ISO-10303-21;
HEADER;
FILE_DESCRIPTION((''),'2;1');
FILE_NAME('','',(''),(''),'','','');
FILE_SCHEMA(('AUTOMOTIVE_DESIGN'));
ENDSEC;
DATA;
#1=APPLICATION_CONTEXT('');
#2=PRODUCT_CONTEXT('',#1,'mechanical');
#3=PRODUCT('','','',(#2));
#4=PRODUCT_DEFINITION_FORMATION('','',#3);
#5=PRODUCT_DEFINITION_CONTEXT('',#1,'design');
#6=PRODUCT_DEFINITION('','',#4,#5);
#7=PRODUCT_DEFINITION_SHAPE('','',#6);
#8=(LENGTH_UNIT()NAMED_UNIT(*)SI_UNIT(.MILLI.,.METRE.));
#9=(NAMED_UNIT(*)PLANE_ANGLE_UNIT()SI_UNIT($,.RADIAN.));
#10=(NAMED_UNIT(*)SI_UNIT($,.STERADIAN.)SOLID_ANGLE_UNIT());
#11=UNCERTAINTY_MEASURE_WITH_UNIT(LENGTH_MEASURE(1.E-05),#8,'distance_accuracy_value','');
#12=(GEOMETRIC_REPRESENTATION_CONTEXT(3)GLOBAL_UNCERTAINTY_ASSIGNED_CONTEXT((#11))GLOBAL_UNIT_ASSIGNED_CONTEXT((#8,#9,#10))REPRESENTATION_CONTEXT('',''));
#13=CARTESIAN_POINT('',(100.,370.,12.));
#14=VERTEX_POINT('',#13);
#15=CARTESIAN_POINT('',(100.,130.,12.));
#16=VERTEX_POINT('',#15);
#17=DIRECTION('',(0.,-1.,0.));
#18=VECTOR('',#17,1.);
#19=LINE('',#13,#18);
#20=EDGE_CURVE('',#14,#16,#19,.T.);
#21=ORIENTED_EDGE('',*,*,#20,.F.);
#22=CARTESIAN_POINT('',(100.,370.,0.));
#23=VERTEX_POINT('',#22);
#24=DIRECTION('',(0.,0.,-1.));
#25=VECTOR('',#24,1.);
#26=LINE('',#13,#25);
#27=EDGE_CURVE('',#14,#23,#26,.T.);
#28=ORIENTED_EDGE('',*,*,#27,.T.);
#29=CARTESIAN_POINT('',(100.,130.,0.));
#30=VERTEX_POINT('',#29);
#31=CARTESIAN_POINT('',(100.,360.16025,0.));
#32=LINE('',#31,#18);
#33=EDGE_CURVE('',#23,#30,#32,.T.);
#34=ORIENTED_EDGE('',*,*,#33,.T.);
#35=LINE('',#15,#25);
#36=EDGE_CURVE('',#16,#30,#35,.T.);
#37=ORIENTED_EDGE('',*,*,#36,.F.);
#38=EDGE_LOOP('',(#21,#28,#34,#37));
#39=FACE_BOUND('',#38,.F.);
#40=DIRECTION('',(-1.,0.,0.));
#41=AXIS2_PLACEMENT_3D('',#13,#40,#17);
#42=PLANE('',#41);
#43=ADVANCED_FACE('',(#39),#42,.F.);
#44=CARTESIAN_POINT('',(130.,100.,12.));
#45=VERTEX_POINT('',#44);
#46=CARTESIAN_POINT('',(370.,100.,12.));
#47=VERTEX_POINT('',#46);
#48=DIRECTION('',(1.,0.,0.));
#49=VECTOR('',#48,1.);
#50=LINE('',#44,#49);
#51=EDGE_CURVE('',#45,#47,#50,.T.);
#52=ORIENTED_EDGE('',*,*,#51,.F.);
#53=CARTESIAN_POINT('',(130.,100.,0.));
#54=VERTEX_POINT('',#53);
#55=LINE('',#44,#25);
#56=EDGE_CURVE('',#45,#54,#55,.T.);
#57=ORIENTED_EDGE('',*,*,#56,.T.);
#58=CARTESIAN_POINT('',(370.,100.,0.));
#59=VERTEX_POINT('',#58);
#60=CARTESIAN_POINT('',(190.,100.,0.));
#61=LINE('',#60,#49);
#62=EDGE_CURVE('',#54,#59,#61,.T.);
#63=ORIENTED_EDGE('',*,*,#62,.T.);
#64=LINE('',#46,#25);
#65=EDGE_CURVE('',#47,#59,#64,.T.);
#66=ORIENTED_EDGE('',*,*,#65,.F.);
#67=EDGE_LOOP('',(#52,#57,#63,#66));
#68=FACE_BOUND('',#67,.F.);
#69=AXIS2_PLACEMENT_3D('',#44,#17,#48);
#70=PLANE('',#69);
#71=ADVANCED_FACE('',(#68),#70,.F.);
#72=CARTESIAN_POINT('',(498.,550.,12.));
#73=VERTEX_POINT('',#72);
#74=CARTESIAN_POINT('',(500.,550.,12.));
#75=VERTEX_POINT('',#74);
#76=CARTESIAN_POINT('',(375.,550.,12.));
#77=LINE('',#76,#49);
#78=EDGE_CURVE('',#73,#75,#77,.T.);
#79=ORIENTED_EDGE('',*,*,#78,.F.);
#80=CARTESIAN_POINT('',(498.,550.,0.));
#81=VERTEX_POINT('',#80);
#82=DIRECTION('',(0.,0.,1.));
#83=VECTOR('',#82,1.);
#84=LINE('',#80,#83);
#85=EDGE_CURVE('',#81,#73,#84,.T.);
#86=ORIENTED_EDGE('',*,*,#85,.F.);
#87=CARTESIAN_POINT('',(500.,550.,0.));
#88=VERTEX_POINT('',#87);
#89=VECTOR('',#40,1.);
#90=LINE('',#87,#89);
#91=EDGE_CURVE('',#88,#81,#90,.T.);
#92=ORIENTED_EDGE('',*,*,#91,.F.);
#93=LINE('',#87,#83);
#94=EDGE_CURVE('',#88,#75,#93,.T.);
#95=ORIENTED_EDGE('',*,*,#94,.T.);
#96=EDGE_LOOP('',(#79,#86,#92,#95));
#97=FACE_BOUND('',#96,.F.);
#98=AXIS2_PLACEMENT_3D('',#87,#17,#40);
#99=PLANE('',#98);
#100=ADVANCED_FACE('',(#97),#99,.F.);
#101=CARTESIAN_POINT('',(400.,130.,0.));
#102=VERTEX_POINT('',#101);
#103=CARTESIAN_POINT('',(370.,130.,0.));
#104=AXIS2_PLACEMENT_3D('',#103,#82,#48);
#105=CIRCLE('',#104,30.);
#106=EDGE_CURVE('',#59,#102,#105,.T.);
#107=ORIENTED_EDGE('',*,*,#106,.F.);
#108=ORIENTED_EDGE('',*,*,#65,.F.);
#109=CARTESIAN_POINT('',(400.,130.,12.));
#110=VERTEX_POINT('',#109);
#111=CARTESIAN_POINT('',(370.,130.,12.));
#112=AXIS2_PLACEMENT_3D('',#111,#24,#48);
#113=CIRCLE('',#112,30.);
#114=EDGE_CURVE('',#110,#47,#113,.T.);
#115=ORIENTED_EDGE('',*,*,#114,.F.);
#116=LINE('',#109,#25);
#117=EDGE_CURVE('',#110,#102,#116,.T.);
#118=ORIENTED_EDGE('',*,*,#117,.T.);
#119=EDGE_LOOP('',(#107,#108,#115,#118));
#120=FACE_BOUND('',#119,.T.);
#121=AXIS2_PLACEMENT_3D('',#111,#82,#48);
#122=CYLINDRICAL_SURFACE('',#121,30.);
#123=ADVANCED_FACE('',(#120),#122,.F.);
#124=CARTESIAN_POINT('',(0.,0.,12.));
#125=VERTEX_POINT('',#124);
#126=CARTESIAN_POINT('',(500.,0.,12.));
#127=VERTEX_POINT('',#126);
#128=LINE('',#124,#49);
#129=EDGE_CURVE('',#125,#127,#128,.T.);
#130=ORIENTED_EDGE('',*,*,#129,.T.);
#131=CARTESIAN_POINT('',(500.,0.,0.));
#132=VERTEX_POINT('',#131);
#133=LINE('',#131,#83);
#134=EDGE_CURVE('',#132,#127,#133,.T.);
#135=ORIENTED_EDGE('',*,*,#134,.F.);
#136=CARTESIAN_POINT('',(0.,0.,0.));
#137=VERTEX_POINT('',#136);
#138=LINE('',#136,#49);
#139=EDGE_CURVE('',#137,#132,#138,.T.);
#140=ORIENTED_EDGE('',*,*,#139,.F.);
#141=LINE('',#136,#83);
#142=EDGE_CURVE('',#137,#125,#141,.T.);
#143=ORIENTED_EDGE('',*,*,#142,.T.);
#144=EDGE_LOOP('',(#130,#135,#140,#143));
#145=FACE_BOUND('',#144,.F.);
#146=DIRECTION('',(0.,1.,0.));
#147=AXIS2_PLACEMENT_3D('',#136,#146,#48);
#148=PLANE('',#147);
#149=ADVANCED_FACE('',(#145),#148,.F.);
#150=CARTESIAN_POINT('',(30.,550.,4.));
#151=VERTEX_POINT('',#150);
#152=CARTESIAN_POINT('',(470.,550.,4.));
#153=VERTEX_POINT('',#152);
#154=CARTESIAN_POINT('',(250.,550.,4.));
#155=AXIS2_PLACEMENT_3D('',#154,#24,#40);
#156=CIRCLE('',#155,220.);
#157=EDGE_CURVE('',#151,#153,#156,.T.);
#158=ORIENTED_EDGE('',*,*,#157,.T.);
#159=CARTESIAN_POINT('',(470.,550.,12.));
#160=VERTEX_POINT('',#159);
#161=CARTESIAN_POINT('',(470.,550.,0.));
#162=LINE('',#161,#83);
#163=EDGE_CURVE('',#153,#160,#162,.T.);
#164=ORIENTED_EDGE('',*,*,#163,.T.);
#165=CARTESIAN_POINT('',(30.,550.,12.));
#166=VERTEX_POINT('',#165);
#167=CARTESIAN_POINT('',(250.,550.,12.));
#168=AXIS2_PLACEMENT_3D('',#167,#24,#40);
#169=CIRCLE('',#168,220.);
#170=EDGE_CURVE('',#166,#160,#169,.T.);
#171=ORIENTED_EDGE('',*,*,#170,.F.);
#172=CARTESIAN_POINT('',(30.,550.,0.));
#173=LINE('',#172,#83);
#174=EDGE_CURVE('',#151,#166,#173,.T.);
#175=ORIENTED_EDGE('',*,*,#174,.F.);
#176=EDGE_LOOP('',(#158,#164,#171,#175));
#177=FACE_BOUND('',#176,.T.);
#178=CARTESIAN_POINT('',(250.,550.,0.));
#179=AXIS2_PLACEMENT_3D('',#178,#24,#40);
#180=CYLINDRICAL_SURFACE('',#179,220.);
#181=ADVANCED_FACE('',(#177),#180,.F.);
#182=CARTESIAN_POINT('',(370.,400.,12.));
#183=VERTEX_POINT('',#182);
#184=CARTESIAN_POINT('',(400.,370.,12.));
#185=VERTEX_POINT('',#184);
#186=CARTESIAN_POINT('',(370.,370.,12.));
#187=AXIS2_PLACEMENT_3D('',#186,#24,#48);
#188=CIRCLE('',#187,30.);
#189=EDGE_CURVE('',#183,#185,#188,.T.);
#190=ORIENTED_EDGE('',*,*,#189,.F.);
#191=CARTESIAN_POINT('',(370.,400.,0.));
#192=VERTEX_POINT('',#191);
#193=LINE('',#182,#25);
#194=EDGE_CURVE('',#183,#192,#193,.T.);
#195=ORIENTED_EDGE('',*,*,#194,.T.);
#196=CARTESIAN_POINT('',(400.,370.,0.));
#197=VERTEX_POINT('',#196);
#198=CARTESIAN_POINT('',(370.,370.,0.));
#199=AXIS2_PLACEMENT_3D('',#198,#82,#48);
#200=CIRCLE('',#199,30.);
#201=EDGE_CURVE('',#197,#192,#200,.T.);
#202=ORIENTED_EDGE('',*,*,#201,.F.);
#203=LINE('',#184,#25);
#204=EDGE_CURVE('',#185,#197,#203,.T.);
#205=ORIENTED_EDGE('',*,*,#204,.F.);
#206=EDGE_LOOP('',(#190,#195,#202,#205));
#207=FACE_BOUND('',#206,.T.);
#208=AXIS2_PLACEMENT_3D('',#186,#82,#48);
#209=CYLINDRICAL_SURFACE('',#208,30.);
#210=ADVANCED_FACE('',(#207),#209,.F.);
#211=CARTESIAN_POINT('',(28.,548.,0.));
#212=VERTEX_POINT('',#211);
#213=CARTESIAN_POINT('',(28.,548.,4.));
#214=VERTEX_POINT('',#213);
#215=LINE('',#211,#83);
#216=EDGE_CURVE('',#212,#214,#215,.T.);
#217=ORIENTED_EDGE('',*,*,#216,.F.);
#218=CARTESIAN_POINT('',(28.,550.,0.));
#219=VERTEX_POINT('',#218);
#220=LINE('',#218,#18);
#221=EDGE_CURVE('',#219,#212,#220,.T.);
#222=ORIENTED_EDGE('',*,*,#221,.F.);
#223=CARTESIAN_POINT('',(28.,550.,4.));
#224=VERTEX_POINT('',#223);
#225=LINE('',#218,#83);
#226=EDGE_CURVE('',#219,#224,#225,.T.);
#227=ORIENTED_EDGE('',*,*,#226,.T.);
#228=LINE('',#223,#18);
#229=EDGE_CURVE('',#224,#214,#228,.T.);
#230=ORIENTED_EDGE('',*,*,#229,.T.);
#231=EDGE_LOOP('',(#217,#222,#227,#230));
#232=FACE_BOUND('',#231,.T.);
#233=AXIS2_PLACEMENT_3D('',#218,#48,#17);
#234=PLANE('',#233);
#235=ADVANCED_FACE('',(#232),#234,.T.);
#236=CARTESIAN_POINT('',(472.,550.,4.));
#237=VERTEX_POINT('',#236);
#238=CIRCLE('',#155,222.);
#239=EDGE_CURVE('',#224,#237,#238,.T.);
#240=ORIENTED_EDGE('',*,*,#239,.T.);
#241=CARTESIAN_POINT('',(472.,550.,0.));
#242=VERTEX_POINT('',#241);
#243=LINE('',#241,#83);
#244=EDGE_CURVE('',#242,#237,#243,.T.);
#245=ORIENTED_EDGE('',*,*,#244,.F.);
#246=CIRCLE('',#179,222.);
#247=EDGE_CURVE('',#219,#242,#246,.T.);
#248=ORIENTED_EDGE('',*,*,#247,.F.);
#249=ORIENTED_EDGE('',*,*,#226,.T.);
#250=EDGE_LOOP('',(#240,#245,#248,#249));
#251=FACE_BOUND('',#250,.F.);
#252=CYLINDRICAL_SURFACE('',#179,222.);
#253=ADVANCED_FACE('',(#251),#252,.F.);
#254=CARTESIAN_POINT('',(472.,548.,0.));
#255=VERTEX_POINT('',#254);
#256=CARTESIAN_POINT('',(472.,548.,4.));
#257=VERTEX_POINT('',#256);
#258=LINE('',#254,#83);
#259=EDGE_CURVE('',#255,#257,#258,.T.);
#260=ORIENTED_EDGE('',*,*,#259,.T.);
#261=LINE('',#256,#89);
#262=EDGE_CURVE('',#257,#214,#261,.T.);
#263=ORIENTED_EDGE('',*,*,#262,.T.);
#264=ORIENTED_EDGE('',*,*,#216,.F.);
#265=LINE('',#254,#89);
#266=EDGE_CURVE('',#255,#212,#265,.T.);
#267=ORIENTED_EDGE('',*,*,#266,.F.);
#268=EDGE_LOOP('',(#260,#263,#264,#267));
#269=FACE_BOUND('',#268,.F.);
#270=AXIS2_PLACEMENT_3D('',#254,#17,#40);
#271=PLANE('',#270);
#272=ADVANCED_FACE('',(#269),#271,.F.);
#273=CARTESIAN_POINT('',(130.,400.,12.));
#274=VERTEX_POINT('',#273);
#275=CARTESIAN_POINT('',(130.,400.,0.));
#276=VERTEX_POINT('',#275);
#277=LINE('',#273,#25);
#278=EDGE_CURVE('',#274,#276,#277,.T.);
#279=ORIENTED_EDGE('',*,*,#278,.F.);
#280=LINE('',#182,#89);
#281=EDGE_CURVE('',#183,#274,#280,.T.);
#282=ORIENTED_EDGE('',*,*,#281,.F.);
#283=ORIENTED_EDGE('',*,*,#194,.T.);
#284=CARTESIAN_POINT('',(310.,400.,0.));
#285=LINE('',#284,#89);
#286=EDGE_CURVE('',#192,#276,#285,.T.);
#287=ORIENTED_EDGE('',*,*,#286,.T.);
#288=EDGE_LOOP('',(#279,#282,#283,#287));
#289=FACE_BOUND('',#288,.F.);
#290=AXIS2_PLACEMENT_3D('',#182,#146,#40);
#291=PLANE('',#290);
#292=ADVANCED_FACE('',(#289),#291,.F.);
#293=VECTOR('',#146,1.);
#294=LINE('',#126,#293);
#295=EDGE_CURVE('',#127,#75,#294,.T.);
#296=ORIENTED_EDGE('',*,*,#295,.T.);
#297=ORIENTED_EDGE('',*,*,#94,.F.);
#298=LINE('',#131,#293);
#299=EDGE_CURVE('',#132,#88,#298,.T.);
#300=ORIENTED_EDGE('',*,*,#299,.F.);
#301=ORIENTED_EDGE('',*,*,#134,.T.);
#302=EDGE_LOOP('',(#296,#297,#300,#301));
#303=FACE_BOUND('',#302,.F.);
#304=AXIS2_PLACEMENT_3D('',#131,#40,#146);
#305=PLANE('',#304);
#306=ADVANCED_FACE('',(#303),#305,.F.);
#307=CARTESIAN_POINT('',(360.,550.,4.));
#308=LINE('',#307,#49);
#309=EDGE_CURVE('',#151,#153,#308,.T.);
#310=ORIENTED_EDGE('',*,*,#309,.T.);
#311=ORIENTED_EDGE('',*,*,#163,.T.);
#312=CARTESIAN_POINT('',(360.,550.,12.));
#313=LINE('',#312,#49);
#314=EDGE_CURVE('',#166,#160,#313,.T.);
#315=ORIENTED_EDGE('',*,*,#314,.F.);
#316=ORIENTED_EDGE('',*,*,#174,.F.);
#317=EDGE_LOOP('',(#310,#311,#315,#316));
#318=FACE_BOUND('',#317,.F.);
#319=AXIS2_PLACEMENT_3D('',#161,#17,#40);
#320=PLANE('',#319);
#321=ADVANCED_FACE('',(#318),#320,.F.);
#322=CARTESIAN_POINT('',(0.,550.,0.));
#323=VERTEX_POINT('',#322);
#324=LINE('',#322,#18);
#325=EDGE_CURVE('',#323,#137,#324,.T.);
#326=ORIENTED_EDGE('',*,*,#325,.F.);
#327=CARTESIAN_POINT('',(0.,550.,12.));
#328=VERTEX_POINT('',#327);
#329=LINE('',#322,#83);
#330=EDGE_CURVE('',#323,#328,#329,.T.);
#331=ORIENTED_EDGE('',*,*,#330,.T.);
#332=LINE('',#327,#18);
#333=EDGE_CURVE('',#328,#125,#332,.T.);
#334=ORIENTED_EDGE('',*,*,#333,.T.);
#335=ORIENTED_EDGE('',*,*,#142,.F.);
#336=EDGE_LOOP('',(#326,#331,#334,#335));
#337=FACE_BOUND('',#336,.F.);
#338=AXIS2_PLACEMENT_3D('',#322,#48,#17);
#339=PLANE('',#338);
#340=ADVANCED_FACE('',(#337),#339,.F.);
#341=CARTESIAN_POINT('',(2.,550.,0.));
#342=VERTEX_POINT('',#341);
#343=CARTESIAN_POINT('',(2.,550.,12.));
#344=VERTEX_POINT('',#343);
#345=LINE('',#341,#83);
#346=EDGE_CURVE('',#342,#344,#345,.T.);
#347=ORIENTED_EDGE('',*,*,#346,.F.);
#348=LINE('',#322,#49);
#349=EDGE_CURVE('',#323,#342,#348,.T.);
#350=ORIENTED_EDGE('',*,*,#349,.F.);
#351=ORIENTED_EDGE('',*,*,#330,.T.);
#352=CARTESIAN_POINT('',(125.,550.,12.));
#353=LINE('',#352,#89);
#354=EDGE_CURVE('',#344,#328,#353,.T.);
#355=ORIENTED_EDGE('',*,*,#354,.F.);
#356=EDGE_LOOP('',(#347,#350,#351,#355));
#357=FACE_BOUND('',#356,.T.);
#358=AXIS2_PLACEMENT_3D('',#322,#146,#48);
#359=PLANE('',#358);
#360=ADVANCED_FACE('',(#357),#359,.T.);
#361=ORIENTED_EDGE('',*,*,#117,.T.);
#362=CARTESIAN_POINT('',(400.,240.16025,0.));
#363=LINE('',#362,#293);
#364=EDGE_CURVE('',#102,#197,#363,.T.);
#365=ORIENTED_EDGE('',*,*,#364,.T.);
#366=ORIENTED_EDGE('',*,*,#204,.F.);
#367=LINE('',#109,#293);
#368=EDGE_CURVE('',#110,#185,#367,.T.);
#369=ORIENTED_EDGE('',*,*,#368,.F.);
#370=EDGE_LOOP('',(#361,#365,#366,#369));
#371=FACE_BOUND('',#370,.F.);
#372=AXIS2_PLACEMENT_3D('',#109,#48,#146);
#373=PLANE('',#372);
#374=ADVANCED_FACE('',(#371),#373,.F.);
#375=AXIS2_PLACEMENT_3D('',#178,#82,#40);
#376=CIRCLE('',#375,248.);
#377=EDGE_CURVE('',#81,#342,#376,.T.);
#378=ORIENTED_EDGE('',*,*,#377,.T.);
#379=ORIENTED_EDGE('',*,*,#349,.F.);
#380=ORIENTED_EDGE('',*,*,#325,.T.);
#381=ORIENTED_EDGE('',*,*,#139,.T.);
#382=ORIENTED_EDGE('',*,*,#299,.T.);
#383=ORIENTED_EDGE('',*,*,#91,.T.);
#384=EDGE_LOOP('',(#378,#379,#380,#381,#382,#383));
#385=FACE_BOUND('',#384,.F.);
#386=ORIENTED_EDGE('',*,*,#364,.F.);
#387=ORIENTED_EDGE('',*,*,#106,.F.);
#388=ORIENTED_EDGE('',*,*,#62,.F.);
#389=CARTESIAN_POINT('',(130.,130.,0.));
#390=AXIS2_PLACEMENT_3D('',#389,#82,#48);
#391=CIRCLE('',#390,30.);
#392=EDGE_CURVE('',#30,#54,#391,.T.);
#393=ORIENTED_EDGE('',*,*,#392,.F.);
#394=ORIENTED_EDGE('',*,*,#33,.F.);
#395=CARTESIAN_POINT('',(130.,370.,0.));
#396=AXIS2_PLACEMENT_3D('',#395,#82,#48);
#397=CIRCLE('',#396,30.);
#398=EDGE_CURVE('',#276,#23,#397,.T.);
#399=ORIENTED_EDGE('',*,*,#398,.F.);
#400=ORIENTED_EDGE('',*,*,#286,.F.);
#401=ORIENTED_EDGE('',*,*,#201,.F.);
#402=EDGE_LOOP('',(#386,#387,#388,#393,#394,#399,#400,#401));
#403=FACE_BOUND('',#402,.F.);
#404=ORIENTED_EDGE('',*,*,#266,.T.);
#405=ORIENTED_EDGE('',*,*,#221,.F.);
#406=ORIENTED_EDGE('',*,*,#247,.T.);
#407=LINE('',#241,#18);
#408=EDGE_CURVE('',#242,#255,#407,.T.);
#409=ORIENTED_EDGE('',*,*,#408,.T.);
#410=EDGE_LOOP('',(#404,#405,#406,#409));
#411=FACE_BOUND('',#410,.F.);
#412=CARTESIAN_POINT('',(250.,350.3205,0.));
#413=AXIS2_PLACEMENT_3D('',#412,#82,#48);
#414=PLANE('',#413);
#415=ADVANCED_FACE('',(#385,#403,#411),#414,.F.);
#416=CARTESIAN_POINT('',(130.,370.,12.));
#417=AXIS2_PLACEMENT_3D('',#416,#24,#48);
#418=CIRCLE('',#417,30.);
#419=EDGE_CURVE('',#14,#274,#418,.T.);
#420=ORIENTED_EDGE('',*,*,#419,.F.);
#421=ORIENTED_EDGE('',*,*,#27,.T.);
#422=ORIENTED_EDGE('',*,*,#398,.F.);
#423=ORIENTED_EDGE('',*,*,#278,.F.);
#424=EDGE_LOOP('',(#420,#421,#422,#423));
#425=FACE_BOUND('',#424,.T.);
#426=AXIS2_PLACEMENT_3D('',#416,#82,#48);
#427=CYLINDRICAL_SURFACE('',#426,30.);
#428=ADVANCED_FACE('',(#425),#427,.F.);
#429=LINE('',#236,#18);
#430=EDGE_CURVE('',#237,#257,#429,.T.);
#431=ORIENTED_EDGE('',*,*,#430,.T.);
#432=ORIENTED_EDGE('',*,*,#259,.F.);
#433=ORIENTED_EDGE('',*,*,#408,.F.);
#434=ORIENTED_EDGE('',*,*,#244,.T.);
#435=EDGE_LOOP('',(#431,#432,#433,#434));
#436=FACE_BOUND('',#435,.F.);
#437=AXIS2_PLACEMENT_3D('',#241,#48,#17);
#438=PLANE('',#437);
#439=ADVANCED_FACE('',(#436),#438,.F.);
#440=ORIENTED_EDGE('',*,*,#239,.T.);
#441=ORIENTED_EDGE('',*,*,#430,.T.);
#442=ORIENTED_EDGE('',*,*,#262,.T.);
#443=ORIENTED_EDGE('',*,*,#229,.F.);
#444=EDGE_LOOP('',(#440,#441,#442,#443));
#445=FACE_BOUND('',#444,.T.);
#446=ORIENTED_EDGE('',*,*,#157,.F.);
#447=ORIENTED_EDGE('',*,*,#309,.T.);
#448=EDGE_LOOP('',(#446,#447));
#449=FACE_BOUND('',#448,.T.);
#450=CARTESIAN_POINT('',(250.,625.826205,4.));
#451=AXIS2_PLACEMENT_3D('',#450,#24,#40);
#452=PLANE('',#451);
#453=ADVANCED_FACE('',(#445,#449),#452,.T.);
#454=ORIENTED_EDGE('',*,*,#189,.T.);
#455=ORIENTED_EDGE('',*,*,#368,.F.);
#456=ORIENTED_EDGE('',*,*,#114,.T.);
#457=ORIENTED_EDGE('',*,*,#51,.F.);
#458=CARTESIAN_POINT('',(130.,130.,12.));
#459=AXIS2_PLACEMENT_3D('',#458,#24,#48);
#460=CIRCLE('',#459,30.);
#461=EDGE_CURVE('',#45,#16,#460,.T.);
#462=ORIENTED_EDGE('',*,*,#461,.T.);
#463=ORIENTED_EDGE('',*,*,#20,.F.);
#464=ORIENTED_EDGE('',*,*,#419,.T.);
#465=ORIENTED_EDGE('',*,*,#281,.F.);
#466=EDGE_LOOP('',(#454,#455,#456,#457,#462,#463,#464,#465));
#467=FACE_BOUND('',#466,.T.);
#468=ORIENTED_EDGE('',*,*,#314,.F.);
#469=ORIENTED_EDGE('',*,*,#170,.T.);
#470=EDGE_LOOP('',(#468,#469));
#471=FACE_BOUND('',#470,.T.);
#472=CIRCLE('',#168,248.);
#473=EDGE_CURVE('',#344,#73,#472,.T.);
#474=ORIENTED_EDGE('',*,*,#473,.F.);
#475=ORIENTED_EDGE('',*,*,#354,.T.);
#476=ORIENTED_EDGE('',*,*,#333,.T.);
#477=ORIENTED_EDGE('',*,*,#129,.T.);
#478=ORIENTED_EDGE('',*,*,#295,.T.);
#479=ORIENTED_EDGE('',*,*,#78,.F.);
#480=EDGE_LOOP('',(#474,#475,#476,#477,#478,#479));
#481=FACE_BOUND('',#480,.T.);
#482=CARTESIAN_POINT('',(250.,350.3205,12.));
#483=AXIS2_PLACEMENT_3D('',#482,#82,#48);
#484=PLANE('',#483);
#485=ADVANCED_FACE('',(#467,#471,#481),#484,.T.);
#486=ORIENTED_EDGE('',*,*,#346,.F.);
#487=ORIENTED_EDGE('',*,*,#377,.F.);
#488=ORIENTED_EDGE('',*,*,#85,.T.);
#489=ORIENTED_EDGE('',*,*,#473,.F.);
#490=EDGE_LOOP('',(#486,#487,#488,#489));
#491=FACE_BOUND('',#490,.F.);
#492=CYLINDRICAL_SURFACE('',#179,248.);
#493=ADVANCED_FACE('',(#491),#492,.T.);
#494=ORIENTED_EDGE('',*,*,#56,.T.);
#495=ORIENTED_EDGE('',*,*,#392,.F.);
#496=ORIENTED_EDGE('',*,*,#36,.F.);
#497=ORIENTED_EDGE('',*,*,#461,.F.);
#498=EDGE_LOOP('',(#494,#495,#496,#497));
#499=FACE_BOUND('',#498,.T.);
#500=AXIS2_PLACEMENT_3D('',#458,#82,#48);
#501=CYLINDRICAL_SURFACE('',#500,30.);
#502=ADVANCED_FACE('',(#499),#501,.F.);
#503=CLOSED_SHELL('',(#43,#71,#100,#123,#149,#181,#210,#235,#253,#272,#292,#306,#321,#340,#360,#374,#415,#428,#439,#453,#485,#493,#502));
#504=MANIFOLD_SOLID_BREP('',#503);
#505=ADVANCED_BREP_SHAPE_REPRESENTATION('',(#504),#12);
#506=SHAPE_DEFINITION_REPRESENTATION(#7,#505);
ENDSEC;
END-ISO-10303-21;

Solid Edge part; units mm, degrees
sketch "Sketch1" plane through (0, 0, 0) normal (0, 0, 1) x (1, 0, 0)
  line L0 (0, 0) -> (500, 0)
  line L1 (500, 0) -> (500, 550)
  arc A0 (0, 550) -> (500, 550) centre (250, 550) cw
  line L2 (0, 550) -> (0, 0)
  dimension "D1" = 550
  dimension "D2" = 500
extrude "Protrusion1" add sketch "Sketch1" along normal blind 12
sketch "Sketch2" plane through (250, 400, 12) normal (0, 0, 1) x (1, 0, 0)
  line L0 (-120, -300) -> (120, -300)
  arc A0 (150, -270) -> (120, -300) centre (120, -270) cw
  line L1 (150, -270) -> (150, -30)
  arc A1 (120, 0) -> (150, -30) centre (120, -30) cw
  line L2 (120, 0) -> (-120, 0)
  arc A2 (-150, -30) -> (-120, 0) centre (-120, -30) cw
  line L3 (-150, -30) -> (-150, -270)
  arc A3 (-120, -300) -> (-150, -270) centre (-120, -270) cw
  dimension "D1" = 100
  dimension "D2" = 300
  dimension "D3" = 300
  dimension "D4" = 100
  dimension "D5" = 100
extrude "Boxenloch" cut sketch "Sketch2" against normal blind 429.6561
sketch "Sketch3" plane through (250, 400, 0) normal (0, 0, -1) x (-1, 0, 0)
  line L0 (-220, 150) -> (220, 150)
  arc A0 (-220, 150) -> (220, 150) centre (0, 150) cw
extrude "Ausschnitt_4" cut sketch "Sketch3" against normal blind 186.1515
sketch "Sketch4" plane through (250, 400, 0) normal (0, 0, -1) x (-1, 0, 0)
  arc A0 (222, 150) -> (-222, 150) centre (0, 150) ccw
  line L0 (-222, 150) -> (-222, 148)
  line L1 (-222, 148) -> (222, 148)
  line L2 (222, 150) -> (222, 148)
  dimension "D1" = 222
extrude "Ausschnitt_5" cut sketch "Sketch4" against normal blind 4
sketch "Sketch5" plane through (250, 400, 0) normal (0, 0, -1) x (-1, 0, 0)
  line L0 (250, 150) -> (248, 150)
  arc A0 (-248, 150) -> (248, 150) centre (0, 150) cw
  line L1 (-250, 150) -> (-248, 150)
  arc A1 (250, 150) -> (-250, 150) centre (0, 150) ccw
extrude "Ausschnitt_6" cut sketch "Sketch5" against normal blind 184.2167
